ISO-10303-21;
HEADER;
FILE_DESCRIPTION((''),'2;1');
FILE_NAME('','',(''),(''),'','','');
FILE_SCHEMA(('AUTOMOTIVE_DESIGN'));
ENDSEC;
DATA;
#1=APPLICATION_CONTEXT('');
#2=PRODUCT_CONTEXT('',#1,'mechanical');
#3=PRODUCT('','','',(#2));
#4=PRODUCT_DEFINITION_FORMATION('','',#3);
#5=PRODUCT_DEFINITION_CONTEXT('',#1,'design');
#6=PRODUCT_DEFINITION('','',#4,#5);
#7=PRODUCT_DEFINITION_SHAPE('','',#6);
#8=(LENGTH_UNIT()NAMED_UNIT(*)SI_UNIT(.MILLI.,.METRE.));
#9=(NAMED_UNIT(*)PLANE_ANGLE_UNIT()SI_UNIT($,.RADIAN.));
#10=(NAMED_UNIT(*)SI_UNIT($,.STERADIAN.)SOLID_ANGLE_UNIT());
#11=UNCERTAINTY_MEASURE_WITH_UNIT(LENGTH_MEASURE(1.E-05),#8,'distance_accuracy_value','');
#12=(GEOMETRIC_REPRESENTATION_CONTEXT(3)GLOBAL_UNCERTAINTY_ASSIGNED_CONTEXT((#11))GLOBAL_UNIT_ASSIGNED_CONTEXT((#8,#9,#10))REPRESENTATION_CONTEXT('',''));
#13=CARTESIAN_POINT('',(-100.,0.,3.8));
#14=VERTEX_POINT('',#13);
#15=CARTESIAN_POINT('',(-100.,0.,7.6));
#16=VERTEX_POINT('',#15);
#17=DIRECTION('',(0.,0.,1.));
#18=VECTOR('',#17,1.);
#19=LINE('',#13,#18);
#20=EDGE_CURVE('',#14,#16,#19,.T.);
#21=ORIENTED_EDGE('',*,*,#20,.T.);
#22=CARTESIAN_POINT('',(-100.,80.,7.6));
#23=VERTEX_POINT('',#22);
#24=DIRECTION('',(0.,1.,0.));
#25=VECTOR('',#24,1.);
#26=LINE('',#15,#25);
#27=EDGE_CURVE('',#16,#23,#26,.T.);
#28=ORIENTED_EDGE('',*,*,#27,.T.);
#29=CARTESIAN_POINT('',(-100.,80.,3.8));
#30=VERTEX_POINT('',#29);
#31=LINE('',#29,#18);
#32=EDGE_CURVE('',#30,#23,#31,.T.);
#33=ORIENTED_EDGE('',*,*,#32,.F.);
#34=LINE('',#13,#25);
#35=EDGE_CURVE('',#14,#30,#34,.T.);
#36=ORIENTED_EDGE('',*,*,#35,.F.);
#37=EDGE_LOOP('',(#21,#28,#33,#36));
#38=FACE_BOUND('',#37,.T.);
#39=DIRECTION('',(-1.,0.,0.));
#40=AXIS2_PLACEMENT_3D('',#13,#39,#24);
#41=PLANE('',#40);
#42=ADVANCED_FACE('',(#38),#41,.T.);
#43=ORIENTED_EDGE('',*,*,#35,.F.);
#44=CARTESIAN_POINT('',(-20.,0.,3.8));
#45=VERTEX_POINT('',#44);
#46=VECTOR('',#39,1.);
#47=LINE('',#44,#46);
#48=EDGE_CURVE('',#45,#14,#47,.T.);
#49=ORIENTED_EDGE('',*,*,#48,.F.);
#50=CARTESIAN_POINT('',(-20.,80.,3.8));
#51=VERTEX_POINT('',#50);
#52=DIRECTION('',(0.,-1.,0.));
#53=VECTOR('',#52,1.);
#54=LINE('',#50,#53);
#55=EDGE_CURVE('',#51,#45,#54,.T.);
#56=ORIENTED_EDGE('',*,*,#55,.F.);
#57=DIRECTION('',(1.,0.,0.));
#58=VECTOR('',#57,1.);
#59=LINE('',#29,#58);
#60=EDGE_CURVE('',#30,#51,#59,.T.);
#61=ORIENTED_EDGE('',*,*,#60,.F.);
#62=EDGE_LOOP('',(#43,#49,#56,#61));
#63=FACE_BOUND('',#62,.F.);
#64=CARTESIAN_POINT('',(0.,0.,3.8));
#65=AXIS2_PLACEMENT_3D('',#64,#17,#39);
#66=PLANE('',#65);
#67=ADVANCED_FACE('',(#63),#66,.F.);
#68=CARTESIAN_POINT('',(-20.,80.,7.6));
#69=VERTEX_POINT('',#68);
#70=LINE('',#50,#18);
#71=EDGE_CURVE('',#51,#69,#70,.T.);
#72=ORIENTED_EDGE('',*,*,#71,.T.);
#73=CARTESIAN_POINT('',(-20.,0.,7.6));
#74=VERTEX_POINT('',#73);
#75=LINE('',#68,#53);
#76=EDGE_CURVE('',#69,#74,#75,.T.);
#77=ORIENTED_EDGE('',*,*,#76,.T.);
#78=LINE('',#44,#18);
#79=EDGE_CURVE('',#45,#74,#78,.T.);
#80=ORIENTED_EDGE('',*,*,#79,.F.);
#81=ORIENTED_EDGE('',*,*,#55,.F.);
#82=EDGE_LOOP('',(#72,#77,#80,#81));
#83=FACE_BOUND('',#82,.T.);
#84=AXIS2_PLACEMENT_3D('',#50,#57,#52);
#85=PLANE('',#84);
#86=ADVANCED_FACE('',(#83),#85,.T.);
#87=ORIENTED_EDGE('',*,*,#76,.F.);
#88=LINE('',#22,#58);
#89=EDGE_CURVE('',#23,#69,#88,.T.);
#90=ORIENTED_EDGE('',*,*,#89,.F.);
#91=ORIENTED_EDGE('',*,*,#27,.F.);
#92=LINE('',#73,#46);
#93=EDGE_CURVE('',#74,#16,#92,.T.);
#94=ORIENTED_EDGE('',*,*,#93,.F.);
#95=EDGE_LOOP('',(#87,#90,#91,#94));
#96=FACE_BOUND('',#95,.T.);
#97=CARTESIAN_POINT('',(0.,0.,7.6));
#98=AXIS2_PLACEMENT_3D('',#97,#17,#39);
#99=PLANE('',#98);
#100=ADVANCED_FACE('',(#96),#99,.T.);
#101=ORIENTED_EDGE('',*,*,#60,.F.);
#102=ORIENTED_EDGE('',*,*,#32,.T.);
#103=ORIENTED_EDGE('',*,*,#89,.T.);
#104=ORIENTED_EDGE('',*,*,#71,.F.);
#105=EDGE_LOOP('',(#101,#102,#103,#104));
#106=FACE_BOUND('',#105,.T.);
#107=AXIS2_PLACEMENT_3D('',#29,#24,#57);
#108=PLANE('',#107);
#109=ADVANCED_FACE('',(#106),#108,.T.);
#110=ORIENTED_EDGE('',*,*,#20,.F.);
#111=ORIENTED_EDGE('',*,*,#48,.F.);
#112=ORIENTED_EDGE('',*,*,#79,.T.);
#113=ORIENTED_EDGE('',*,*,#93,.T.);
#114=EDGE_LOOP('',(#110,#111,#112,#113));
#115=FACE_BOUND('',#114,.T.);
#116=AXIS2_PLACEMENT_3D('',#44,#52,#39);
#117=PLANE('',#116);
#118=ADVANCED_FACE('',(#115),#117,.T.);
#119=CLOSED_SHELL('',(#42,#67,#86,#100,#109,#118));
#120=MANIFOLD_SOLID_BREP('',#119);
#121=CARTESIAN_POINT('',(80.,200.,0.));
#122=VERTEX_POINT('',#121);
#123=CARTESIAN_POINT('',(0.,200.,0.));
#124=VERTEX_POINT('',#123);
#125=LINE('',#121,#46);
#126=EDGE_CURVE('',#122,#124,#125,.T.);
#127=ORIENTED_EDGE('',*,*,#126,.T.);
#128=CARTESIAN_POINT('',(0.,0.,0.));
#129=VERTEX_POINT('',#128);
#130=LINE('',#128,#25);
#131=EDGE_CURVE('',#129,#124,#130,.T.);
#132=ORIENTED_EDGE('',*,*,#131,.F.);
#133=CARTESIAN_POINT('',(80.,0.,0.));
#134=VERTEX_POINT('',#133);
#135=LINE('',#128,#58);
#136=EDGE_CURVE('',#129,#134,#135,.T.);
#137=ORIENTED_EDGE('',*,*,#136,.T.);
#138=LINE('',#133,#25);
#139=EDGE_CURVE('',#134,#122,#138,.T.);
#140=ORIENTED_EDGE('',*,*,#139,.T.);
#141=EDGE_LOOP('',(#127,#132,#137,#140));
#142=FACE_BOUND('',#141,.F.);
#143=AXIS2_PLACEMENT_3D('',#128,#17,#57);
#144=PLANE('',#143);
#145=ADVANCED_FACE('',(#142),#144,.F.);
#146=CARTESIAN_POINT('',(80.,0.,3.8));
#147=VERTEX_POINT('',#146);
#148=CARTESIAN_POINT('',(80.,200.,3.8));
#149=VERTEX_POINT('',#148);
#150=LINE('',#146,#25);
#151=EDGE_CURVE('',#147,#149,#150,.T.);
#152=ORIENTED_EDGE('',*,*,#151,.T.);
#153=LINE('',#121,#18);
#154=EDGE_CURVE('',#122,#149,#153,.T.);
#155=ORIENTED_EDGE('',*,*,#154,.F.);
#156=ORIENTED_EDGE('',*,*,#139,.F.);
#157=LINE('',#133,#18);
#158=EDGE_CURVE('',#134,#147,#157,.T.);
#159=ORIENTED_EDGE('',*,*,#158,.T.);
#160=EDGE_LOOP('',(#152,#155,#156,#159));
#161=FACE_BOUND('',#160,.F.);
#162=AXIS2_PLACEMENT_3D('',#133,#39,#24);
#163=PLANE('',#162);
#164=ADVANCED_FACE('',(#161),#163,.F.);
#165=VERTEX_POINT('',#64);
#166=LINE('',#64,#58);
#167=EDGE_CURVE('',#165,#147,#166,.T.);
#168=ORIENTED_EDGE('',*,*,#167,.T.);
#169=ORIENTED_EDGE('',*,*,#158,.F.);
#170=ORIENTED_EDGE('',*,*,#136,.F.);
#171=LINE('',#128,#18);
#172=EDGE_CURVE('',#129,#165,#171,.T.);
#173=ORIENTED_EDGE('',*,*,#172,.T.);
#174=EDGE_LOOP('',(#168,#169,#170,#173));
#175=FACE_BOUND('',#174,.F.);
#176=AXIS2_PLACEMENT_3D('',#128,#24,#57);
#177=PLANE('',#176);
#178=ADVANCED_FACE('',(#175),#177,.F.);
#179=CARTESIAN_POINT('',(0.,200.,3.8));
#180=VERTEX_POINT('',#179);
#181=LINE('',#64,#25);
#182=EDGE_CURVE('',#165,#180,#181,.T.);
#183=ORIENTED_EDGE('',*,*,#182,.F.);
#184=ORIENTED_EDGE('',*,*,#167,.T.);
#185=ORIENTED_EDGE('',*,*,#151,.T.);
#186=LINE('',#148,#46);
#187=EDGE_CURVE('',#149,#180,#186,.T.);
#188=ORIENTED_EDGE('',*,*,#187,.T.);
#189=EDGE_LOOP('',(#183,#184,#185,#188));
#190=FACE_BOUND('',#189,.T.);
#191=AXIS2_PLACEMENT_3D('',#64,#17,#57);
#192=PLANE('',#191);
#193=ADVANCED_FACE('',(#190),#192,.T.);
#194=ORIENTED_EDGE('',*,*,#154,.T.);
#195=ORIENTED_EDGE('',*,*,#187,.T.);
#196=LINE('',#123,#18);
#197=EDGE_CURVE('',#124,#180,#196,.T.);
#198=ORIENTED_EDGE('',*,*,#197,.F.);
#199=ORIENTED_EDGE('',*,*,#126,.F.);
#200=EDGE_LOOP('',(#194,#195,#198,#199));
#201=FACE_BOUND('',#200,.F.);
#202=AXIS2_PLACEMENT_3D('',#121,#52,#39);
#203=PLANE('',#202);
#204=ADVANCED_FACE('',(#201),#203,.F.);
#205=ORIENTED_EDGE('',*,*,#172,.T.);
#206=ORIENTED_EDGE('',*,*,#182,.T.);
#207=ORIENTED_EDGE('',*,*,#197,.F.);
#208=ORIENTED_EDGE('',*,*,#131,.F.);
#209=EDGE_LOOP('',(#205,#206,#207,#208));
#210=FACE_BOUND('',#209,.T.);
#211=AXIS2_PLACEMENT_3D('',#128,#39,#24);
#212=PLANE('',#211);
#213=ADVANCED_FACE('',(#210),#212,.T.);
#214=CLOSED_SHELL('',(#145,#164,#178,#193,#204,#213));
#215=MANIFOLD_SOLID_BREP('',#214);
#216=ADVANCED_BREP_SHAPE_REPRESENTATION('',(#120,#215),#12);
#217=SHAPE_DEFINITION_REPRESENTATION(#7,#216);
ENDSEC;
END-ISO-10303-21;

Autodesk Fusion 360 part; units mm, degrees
sketch "Sketch1" plane through (0, 0, 0) normal (0, 0, 1) x (1, 0, 0)
  line L0 (0, 0) -> (0, 200)
  line L1 (0, 0) -> (80, 0)
  line L2 (80, 0) -> (80, 200)
  line L3 (80, 200) -> (0, 200)
  dimension "d1" = 200
  dimension "d2" = 80
extrude "Extrude1" add sketch "Sketch1" along normal blind 3.8 makes body 1
sketch "Sketch2" plane through (0, 0, 3.8) normal (0, 0, 1) x (-1, 0, 0)
  line L0 (0, 0) -> (-80, 0)
  line L1 (-80, 0) -> (-80, -200)
  line L2 (-80, -200) -> (0, -200)
  line L3 (0, -200) -> (0, 0)
  line L4 (100, 0) -> (100, -80)
  line L5 (100, -80) -> (20, -80)
  line L6 (20, -80) -> (20, 0)
  line L7 (20, 0) -> (100, 0)
extrude "Extrude2" add sketch "Sketch2" along normal blind 3.8 separate body contours L4 L5 L6 L7 makes body 2
sketch "Sketch3" plane through (0, 0, 7.6) normal (0, 0, 1) x (-1, 0, 0)
  line L0 (20, 0) -> (20, -80)
  line L1 (20, -80) -> (100, -80)
  line L2 (100, -80) -> (100, 0)
  line L3 (100, 0) -> (20, 0)
